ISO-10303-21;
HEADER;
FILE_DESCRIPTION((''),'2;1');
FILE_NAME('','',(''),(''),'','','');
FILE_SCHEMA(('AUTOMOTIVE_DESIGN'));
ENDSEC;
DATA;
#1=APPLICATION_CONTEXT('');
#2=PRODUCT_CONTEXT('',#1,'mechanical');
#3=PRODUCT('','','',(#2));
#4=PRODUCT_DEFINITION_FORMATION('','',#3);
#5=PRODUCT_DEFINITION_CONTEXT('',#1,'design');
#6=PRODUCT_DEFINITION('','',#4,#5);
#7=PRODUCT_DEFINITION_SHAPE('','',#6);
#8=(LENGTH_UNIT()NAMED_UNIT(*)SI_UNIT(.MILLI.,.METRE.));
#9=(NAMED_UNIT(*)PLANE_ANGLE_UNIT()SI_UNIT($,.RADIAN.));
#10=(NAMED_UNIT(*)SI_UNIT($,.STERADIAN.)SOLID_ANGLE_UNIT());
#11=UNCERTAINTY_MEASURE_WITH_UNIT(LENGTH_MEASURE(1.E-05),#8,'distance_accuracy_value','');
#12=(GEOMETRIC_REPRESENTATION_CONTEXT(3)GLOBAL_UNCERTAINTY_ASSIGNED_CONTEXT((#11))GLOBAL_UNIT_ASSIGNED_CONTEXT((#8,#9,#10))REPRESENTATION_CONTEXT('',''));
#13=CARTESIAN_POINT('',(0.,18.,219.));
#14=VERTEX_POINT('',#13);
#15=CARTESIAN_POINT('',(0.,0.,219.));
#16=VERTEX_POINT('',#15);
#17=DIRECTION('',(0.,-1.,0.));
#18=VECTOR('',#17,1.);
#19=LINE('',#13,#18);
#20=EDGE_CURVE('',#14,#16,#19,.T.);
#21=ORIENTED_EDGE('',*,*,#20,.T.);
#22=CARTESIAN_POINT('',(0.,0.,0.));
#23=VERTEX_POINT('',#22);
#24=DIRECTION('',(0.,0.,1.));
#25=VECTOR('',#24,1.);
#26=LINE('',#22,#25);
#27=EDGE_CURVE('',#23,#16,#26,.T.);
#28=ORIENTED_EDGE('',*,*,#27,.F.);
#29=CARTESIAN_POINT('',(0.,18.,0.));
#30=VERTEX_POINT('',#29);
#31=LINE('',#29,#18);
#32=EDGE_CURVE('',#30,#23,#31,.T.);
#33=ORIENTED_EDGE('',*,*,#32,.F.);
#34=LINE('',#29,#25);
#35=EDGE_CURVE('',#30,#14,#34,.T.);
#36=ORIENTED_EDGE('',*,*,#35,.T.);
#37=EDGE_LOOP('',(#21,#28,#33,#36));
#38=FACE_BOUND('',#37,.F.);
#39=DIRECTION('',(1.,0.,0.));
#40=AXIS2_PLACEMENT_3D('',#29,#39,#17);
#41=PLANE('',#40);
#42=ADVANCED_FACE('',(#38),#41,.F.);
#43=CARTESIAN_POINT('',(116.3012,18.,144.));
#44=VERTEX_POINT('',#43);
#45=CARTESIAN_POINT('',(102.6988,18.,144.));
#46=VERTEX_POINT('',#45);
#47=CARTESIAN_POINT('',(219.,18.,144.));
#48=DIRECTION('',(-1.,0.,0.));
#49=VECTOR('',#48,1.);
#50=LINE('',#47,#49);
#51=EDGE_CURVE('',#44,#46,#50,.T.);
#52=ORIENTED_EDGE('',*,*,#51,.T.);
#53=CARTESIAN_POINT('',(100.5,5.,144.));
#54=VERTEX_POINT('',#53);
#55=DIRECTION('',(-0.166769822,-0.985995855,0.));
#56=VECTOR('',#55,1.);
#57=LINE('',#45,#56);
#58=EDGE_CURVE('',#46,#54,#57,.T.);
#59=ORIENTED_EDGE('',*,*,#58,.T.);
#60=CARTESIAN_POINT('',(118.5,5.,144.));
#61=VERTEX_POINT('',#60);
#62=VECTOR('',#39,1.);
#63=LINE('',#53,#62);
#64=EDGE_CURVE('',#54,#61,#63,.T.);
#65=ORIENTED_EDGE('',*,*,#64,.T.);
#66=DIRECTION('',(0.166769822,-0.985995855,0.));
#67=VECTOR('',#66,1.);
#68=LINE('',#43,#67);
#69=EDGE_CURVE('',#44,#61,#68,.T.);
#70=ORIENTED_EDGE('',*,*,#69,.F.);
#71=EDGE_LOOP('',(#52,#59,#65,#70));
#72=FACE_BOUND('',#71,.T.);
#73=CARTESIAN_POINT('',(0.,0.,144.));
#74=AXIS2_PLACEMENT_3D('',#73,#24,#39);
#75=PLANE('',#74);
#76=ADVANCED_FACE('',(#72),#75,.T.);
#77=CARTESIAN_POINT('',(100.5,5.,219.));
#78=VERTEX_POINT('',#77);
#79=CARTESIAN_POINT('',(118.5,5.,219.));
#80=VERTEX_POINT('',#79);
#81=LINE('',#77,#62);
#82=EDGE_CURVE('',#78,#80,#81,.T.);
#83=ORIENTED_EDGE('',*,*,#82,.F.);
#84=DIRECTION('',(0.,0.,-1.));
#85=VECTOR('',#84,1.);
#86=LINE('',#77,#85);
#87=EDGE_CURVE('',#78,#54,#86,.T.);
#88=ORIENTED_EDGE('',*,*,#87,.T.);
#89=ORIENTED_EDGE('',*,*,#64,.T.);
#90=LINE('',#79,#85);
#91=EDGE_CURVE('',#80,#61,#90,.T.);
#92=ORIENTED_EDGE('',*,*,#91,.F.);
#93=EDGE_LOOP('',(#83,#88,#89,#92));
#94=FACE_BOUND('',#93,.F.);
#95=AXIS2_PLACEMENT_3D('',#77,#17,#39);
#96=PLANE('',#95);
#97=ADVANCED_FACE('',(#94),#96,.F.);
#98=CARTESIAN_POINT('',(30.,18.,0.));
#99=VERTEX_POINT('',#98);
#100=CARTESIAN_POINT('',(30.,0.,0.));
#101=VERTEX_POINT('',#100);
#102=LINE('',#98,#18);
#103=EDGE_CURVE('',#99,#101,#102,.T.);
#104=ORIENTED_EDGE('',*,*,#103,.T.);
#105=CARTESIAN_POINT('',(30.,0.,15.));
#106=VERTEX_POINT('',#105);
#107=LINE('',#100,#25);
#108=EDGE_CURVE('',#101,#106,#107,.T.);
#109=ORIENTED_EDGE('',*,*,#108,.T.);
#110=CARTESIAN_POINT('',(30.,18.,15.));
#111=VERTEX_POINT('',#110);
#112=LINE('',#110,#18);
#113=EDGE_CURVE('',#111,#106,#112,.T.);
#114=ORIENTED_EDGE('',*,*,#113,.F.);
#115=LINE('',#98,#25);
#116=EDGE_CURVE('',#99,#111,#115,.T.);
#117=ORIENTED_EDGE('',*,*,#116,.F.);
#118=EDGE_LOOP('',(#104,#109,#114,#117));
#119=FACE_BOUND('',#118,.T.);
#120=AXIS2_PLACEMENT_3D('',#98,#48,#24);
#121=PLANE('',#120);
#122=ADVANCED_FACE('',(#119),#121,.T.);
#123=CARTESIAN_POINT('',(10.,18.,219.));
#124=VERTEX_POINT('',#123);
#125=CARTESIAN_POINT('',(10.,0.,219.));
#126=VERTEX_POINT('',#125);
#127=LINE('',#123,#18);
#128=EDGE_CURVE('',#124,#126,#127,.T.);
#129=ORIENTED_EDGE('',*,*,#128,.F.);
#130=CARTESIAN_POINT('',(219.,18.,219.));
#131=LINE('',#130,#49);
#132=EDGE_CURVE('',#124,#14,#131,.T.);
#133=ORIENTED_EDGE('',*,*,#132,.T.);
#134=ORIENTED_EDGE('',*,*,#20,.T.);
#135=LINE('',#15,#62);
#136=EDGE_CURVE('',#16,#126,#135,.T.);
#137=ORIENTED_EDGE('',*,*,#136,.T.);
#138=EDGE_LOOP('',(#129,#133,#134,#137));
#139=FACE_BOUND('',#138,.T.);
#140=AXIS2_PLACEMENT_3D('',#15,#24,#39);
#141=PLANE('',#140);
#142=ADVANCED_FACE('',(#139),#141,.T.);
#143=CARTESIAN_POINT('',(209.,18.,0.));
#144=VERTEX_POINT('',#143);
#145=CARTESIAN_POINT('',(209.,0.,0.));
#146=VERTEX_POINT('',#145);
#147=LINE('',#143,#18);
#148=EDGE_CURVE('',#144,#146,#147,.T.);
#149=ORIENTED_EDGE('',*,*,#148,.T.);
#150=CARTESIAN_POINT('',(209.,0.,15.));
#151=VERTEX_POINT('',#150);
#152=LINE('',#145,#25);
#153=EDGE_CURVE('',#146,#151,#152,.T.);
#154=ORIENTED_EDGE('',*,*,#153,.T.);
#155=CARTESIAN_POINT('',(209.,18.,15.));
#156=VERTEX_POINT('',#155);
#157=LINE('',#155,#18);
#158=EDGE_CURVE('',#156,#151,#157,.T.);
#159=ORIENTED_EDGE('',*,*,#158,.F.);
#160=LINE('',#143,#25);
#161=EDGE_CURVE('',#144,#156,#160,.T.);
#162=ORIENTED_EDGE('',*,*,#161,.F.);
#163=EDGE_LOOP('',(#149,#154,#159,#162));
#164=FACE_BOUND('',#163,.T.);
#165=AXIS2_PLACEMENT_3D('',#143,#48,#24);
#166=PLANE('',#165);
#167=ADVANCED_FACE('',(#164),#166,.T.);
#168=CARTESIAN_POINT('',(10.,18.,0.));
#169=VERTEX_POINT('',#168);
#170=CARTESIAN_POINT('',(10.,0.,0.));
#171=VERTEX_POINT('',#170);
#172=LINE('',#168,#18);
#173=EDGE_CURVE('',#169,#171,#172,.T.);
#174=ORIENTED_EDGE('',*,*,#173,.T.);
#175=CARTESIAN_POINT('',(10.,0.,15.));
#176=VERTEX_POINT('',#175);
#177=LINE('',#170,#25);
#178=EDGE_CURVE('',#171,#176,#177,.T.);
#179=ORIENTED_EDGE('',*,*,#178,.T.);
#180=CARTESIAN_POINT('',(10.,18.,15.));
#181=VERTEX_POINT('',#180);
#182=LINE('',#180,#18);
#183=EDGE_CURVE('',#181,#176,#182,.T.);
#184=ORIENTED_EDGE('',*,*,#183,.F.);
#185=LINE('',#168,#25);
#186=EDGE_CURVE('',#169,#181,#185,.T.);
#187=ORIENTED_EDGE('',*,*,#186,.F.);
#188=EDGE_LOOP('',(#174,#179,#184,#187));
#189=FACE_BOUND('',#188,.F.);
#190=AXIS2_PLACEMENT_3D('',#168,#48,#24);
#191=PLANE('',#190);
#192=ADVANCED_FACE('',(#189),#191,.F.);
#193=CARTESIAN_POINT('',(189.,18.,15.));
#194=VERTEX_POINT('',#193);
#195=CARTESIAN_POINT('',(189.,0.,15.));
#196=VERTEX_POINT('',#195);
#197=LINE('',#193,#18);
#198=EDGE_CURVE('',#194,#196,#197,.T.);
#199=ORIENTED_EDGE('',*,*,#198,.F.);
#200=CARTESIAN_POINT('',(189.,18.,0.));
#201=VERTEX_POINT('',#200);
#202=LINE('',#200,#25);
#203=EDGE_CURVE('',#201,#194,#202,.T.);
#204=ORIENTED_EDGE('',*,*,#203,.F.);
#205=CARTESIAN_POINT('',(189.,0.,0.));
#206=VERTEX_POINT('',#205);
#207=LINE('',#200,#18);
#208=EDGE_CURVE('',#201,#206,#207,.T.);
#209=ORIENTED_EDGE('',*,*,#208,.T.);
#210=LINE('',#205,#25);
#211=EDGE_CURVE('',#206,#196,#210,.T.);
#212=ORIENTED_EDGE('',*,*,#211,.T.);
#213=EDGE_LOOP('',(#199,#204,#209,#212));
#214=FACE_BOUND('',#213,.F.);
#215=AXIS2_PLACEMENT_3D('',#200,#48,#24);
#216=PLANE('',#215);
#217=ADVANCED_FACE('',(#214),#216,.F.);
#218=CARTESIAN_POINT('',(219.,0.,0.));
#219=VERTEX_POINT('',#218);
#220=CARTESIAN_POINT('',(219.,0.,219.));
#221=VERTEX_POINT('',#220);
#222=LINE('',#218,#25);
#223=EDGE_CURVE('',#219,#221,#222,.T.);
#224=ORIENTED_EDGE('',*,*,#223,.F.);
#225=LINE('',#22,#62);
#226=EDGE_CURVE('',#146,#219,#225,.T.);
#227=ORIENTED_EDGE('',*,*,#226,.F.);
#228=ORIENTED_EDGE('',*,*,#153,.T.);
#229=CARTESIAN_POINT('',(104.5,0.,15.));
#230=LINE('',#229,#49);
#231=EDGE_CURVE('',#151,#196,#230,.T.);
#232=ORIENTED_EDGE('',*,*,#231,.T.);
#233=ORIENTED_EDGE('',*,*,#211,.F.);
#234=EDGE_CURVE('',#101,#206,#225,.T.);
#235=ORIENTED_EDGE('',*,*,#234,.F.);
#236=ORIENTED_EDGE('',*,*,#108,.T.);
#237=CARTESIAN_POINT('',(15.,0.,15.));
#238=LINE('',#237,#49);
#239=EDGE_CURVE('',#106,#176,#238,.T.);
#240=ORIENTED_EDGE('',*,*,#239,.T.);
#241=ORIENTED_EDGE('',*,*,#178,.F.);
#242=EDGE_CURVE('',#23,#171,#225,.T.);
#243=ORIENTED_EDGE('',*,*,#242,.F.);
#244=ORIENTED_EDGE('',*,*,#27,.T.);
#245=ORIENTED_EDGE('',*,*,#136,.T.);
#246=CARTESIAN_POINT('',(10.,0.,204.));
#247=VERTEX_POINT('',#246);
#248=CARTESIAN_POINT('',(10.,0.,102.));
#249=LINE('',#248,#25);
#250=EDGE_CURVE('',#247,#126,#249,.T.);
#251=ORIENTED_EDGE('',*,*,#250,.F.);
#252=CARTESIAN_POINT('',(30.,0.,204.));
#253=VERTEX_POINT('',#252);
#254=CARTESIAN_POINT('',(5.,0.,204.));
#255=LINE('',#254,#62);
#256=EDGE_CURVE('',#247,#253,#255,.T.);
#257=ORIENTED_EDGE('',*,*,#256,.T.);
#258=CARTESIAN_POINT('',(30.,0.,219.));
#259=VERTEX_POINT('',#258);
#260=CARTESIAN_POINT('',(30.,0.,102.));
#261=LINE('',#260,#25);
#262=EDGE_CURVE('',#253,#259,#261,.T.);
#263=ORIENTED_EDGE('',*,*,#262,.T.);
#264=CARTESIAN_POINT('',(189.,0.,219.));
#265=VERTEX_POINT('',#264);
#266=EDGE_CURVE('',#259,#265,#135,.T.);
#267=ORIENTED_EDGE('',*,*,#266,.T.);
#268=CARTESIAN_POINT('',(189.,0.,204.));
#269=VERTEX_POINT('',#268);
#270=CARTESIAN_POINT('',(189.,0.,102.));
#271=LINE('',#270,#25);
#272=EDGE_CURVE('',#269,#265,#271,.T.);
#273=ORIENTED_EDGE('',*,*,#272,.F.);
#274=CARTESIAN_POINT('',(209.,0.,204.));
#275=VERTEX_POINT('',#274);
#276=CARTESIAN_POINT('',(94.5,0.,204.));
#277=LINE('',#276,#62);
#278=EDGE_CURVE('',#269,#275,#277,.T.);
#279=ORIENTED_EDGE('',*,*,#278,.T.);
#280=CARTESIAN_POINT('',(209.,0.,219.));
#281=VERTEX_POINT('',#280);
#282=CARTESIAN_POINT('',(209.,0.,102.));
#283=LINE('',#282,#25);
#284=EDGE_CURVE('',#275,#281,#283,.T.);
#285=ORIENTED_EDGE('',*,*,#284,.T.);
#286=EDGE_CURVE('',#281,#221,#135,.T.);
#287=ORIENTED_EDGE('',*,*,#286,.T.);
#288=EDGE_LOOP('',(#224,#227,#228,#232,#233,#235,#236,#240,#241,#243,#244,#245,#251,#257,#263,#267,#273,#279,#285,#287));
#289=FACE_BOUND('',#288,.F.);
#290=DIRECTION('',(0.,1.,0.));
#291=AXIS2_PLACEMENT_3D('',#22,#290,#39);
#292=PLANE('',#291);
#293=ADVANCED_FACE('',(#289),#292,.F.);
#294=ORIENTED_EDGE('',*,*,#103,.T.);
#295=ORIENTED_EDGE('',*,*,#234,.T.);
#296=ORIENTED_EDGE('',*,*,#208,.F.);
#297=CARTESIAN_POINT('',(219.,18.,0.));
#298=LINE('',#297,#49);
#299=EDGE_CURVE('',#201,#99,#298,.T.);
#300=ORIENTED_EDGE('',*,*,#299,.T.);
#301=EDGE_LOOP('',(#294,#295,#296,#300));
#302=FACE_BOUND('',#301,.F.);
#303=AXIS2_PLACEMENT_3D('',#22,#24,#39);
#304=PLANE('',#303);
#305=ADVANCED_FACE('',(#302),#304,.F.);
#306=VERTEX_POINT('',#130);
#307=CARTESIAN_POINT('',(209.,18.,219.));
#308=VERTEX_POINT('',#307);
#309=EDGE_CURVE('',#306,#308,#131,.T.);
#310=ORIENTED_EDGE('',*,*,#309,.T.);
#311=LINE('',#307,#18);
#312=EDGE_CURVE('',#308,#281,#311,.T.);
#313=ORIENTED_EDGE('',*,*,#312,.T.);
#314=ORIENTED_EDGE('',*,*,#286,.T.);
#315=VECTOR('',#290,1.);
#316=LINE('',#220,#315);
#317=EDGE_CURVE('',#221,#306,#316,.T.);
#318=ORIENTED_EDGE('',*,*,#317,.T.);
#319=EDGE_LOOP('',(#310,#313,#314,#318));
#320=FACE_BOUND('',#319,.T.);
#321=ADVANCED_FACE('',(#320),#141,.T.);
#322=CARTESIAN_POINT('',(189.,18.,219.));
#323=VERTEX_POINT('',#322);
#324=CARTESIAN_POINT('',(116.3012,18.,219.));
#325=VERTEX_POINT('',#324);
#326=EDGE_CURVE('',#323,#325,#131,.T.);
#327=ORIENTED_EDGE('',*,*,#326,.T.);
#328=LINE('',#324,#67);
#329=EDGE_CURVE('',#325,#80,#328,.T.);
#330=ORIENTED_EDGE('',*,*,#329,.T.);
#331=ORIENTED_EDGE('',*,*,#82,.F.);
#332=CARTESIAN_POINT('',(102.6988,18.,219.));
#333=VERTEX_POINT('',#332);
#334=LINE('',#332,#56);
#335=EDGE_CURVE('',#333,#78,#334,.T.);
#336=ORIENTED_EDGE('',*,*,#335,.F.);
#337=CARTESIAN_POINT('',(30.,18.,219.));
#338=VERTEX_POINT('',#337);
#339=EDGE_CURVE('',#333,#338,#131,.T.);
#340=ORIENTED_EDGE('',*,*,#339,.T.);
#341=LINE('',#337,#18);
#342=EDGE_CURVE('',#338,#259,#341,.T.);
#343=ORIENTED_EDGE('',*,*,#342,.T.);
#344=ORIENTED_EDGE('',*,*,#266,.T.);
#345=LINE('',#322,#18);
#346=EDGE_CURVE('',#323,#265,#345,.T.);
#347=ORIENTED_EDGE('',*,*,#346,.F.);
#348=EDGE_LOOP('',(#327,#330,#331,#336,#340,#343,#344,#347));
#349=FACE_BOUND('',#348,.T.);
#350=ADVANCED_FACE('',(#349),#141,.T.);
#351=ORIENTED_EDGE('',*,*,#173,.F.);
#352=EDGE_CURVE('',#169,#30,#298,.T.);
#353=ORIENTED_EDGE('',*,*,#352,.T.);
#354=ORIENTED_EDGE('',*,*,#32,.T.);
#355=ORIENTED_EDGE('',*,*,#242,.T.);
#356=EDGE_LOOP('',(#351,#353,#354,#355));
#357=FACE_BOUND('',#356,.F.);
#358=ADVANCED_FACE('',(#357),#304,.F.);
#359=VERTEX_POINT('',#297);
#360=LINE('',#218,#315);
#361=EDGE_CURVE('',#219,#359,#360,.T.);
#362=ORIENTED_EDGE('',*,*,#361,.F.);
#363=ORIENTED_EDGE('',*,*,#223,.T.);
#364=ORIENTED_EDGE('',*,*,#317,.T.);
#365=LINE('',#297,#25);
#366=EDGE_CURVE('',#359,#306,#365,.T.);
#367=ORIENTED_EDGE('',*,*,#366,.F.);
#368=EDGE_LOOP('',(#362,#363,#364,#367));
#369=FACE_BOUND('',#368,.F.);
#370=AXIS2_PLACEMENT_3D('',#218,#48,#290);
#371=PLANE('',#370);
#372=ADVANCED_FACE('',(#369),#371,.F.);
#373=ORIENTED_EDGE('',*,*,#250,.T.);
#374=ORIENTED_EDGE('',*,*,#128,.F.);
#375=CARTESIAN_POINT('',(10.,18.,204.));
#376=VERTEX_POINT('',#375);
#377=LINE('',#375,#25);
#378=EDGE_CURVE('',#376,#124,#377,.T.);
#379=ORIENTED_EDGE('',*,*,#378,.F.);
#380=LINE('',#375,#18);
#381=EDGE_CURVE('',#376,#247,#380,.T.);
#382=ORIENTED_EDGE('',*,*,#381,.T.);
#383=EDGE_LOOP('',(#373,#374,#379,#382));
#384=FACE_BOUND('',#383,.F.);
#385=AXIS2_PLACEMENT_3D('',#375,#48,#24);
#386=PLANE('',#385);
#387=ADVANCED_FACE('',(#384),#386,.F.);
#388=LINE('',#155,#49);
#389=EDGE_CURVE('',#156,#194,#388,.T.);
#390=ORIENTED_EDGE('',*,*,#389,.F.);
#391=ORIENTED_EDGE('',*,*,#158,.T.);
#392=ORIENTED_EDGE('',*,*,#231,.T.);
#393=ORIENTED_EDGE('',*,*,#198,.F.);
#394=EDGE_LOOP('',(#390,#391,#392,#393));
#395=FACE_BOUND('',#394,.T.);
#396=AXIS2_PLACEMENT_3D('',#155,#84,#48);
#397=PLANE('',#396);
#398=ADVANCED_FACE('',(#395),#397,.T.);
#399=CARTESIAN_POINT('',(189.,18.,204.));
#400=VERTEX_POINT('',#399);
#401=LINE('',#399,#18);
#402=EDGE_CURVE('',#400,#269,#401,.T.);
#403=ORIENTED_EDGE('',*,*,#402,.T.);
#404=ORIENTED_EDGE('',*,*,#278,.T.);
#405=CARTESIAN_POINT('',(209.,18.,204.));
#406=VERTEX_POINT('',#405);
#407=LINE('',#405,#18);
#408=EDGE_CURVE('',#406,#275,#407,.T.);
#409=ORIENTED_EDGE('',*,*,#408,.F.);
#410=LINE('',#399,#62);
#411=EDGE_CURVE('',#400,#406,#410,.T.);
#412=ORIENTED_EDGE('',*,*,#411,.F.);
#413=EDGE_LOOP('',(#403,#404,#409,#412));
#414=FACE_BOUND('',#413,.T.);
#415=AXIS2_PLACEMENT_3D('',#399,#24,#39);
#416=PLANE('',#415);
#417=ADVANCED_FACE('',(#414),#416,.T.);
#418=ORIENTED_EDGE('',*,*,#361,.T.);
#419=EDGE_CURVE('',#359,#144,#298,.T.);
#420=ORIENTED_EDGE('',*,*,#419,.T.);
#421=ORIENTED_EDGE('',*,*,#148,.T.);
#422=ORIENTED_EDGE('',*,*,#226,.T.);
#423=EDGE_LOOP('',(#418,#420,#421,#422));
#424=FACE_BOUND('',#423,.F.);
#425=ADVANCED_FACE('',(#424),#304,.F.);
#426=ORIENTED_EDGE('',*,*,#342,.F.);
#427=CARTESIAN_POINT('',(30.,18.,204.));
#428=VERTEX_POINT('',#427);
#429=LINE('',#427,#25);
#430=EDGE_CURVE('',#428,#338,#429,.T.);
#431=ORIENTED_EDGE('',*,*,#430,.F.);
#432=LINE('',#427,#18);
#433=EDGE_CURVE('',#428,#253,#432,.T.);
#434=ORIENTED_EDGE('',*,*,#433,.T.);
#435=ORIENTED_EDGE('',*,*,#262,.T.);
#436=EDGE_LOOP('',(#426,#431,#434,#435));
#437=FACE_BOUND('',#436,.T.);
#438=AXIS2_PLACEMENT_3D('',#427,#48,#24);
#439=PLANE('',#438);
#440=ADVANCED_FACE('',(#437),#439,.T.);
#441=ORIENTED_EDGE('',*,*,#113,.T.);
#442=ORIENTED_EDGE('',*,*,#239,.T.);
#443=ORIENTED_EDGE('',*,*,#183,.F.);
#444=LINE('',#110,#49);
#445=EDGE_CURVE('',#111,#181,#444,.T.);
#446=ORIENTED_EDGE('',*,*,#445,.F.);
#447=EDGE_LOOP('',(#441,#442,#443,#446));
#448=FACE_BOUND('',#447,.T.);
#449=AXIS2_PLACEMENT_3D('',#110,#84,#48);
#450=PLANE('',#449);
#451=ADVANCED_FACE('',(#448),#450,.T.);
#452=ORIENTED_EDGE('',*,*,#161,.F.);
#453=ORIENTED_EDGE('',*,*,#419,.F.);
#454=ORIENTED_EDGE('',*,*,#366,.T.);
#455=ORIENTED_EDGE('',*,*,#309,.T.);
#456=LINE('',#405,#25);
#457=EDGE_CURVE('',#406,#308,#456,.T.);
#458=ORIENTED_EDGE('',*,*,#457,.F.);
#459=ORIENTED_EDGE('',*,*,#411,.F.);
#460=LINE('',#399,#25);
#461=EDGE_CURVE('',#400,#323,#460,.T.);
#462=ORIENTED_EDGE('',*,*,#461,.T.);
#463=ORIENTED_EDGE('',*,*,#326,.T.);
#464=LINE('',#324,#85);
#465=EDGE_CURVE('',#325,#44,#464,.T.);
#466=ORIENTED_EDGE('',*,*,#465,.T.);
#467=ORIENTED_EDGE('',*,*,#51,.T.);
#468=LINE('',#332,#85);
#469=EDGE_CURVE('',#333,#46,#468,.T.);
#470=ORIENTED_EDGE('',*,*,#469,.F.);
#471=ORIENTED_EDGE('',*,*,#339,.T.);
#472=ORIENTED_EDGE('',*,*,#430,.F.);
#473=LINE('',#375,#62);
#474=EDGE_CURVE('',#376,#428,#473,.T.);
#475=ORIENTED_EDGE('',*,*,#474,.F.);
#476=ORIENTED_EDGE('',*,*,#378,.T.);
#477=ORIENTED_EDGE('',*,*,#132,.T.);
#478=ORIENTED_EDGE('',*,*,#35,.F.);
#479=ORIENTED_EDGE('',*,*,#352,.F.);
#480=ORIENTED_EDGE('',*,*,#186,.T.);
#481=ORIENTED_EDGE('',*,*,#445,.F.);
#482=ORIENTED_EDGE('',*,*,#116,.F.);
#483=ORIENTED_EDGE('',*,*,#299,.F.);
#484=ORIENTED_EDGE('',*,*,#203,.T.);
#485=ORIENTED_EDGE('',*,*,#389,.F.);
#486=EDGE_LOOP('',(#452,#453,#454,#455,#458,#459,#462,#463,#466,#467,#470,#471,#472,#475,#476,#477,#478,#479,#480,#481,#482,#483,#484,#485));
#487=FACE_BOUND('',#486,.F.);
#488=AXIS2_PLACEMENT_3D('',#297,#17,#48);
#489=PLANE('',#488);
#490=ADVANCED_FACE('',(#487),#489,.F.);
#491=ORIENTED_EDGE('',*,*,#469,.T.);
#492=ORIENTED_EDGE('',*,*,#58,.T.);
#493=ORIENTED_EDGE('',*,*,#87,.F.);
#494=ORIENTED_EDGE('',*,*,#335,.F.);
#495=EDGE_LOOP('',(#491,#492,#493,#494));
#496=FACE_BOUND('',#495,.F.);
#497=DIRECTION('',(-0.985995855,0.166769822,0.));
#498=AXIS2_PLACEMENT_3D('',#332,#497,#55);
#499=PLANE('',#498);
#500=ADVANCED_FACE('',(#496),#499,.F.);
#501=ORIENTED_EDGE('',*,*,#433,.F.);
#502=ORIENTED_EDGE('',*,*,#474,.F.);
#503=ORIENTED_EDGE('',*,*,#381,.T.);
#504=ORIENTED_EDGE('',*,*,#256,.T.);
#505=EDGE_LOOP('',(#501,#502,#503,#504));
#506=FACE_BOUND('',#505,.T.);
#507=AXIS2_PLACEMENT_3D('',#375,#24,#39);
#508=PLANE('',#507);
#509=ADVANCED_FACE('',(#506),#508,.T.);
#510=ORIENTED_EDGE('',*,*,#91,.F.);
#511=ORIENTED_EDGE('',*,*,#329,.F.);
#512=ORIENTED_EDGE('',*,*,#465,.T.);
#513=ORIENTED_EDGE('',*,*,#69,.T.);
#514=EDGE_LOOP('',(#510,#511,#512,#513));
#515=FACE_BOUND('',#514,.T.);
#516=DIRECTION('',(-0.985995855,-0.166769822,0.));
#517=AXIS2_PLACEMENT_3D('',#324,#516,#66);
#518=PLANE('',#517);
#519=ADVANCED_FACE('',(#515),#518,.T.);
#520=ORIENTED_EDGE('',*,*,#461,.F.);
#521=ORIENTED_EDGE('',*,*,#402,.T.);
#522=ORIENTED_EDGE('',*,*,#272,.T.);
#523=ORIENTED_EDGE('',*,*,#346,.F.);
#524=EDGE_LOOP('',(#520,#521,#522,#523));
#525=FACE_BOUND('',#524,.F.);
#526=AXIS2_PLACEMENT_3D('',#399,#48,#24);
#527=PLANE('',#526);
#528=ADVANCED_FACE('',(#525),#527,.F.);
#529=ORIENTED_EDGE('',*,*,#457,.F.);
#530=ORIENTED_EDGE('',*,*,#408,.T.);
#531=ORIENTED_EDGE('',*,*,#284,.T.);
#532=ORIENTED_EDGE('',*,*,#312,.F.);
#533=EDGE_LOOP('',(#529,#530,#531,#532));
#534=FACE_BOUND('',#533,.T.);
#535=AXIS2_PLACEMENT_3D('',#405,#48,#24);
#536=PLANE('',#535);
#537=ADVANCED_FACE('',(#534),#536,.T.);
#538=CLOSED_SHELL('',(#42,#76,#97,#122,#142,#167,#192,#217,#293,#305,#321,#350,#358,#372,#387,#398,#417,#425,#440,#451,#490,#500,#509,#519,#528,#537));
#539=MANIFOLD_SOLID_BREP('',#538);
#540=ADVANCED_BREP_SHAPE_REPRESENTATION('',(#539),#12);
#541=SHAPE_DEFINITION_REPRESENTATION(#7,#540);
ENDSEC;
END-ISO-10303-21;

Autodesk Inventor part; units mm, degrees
ref_plane "YZ Plane" through (0, 0, 0) normal (1, 0, 0) x (0, 1, 0)
ref_plane "XZ Plane" through (0, 0, 0) normal (0, 1, 0) x (-1, 0, 0)
ref_plane "XY Plane" through (0, 0, 0) normal (0, 0, 1) x (1, 0, 0)
sketch "Sketch1" plane through (0, 0, 0) normal (0, 0, 1) x (1, 0, 0)
  line L0 (0, 0) -> (219, 0)
  line L1 (219, 0) -> (219, 18)
  line L2 (219, 18) -> (0, 18)
  line L3 (0, 18) -> (0, 0)
  dimension "d0" = 219
  dimension "d1" = 18
extrude "Extrusion1" add sketch "Sketch1" along normal blind 219
sketch "Sketch2" plane through (0, 0, 219) normal (0, 0, 1) x (1, 0, 0)
  line L0 (102.6988, 18) -> (100.5, 5)
  line L1 (100.5, 5) -> (118.5, 5)
  line L2 (0, 0) -> (219, 0) projected
  line L3 (219, 18) -> (0, 18) projected
  line L4 (102.6988, 18) -> (102.6988, 9.1069) construction
  line L5 (109.5, -2.3259) -> (109.5, -4.6671) construction
  line L6 (116.3012, 18) -> (118.5, 5)
  point P0 (109.5, 5)
  point P1 (109.5, 0)
  point P2 (109.5, -3.4965)
  point P3 (109.5, 0)
  dimension "d4" = 5
  dimension "d5" = 9.6
  dimension "d6" = 18
extrude "Extrusion2" cut sketch "Sketch2" against normal blind 75
sketch "Sketch3" plane through (0, 18, 0) normal (0, 1, 0) x (1, 0, 0)
  line L0 (10, -204) -> (30, -204)
  line L1 (0, 0) -> (0, -219) projected
  line L2 (20, -205.0009) -> (20, -197.8859) construction
  line L3 (102.6988, -219) -> (0, -219) construction
  line L4 (10, -204) -> (10, -219)
  line L5 (30, -204) -> (30, -219)
  line L6 (30, -219) -> (10, -219)
  point P0 (20, -204)
  dimension "d17" = 20
  dimension "d18" = 15
  dimension "d19" = 10
extrude "Extrusion3" cut sketch "Sketch3" against normal through all
pattern_linear "Rectangular Pattern1" count 2 spacing -204 along (0, 0, 1) count 2 spacing 179 along (1, 0, 0) of "Extrusion3"
properties part number "TNS-1-platform"
